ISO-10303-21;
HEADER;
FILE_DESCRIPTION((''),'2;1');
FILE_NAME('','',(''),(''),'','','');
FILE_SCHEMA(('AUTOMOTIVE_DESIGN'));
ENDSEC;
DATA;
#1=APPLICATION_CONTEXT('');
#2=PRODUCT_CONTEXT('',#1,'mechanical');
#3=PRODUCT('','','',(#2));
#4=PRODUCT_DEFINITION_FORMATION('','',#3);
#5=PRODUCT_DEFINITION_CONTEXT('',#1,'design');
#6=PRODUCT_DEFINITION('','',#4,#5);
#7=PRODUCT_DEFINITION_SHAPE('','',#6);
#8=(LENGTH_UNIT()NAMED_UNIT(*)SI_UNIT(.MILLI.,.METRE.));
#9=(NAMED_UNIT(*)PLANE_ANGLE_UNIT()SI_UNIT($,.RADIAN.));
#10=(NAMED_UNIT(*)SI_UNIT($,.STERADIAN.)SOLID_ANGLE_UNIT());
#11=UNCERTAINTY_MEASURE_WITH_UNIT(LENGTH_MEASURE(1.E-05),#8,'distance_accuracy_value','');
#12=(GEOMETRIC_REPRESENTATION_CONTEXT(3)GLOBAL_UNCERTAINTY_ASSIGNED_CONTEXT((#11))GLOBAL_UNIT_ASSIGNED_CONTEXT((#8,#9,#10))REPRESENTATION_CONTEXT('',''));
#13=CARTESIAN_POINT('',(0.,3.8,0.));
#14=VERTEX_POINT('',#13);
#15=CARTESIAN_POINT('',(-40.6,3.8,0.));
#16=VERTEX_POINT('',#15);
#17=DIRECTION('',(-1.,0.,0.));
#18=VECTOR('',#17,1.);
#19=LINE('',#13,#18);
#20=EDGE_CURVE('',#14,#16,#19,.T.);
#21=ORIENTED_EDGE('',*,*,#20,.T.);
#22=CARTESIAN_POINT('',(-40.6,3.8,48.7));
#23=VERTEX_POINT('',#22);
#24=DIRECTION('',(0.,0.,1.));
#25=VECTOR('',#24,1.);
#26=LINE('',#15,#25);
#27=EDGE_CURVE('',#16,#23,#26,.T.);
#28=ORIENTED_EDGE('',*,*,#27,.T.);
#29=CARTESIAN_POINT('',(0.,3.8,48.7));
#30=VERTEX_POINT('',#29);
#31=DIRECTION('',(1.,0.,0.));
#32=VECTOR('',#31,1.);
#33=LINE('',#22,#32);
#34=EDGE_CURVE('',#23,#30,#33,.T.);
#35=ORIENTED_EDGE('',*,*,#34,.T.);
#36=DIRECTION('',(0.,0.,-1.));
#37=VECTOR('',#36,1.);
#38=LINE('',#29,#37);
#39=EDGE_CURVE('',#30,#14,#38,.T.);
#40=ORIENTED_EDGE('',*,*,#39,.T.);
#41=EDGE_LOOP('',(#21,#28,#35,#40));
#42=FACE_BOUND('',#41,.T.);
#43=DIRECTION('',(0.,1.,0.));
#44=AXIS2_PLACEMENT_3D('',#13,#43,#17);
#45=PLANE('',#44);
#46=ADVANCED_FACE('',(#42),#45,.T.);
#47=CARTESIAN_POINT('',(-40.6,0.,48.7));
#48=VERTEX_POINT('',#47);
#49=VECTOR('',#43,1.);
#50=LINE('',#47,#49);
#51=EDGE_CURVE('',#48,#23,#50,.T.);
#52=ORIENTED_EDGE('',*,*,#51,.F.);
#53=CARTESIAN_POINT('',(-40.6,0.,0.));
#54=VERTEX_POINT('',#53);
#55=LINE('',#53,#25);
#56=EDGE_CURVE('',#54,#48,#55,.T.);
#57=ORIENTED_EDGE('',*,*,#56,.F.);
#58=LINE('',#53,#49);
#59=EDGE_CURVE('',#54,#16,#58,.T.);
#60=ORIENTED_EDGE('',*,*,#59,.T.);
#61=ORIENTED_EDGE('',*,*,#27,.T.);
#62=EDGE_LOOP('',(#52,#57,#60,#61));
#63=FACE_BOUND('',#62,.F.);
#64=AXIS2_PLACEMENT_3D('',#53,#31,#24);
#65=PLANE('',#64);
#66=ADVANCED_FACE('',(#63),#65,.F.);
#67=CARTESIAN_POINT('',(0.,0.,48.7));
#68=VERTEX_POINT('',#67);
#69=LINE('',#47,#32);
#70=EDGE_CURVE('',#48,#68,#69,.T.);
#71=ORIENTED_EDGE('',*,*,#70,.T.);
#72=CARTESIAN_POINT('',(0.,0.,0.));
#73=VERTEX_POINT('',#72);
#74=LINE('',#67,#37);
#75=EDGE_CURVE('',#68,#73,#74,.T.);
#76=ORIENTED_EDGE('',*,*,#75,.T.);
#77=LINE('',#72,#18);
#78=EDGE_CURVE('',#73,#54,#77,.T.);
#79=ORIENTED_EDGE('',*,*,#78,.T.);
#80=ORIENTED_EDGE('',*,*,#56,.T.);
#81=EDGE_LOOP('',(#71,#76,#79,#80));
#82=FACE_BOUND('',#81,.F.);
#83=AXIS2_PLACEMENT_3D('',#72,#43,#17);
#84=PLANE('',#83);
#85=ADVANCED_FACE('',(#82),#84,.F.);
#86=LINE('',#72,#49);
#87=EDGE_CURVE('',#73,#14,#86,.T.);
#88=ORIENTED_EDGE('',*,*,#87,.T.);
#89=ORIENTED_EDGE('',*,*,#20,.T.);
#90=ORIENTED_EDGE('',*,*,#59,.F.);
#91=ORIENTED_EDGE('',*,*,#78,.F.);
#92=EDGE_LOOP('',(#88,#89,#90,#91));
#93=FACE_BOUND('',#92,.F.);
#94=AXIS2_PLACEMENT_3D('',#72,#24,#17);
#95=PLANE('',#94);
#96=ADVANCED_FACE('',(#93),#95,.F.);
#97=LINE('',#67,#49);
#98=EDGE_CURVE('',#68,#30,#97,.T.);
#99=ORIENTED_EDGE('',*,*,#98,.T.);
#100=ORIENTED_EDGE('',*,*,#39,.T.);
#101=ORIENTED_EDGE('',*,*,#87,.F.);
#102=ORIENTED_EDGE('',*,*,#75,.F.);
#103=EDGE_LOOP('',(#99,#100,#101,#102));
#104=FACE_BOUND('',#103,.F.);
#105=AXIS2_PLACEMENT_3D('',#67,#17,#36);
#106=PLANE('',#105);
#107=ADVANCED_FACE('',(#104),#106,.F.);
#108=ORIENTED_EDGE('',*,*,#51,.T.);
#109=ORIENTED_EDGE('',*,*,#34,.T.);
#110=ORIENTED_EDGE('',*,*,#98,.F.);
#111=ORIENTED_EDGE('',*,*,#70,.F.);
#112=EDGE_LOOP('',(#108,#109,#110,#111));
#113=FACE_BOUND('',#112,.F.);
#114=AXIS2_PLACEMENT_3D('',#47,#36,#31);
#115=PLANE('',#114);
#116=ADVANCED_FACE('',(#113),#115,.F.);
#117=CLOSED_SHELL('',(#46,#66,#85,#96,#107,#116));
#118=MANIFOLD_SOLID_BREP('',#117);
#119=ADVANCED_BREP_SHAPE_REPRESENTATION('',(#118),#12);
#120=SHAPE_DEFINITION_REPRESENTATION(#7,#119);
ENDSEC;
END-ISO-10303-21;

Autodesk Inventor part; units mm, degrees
ref_plane "YZ Plane" through (0, 0, 0) normal (1, 0, 0) x (0, 1, 0)
ref_plane "XZ Plane" through (0, 0, 0) normal (0, 1, 0) x (-1, 0, 0)
ref_plane "XY Plane" through (0, 0, 0) normal (0, 0, 1) x (1, 0, 0)
sketch "Sketch1" plane through (0, 0, 0) normal (0, 1, 0) x (-1, 0, 0)
  line L0 (40.6, 48.7) -> (0, 48.7)
  line L1 (0, 48.7) -> (0, 0)
  line L2 (0, 0) -> (40.6, 0)
  line L3 (40.6, 0) -> (40.6, 48.7)
  dimension "d0" = 40.6
  dimension "d1" = 48.7
extrude "Extrusion1" add sketch "Sketch1" along normal blind 3.8
properties part number "Screen Driver" material "ABS Plastic"
